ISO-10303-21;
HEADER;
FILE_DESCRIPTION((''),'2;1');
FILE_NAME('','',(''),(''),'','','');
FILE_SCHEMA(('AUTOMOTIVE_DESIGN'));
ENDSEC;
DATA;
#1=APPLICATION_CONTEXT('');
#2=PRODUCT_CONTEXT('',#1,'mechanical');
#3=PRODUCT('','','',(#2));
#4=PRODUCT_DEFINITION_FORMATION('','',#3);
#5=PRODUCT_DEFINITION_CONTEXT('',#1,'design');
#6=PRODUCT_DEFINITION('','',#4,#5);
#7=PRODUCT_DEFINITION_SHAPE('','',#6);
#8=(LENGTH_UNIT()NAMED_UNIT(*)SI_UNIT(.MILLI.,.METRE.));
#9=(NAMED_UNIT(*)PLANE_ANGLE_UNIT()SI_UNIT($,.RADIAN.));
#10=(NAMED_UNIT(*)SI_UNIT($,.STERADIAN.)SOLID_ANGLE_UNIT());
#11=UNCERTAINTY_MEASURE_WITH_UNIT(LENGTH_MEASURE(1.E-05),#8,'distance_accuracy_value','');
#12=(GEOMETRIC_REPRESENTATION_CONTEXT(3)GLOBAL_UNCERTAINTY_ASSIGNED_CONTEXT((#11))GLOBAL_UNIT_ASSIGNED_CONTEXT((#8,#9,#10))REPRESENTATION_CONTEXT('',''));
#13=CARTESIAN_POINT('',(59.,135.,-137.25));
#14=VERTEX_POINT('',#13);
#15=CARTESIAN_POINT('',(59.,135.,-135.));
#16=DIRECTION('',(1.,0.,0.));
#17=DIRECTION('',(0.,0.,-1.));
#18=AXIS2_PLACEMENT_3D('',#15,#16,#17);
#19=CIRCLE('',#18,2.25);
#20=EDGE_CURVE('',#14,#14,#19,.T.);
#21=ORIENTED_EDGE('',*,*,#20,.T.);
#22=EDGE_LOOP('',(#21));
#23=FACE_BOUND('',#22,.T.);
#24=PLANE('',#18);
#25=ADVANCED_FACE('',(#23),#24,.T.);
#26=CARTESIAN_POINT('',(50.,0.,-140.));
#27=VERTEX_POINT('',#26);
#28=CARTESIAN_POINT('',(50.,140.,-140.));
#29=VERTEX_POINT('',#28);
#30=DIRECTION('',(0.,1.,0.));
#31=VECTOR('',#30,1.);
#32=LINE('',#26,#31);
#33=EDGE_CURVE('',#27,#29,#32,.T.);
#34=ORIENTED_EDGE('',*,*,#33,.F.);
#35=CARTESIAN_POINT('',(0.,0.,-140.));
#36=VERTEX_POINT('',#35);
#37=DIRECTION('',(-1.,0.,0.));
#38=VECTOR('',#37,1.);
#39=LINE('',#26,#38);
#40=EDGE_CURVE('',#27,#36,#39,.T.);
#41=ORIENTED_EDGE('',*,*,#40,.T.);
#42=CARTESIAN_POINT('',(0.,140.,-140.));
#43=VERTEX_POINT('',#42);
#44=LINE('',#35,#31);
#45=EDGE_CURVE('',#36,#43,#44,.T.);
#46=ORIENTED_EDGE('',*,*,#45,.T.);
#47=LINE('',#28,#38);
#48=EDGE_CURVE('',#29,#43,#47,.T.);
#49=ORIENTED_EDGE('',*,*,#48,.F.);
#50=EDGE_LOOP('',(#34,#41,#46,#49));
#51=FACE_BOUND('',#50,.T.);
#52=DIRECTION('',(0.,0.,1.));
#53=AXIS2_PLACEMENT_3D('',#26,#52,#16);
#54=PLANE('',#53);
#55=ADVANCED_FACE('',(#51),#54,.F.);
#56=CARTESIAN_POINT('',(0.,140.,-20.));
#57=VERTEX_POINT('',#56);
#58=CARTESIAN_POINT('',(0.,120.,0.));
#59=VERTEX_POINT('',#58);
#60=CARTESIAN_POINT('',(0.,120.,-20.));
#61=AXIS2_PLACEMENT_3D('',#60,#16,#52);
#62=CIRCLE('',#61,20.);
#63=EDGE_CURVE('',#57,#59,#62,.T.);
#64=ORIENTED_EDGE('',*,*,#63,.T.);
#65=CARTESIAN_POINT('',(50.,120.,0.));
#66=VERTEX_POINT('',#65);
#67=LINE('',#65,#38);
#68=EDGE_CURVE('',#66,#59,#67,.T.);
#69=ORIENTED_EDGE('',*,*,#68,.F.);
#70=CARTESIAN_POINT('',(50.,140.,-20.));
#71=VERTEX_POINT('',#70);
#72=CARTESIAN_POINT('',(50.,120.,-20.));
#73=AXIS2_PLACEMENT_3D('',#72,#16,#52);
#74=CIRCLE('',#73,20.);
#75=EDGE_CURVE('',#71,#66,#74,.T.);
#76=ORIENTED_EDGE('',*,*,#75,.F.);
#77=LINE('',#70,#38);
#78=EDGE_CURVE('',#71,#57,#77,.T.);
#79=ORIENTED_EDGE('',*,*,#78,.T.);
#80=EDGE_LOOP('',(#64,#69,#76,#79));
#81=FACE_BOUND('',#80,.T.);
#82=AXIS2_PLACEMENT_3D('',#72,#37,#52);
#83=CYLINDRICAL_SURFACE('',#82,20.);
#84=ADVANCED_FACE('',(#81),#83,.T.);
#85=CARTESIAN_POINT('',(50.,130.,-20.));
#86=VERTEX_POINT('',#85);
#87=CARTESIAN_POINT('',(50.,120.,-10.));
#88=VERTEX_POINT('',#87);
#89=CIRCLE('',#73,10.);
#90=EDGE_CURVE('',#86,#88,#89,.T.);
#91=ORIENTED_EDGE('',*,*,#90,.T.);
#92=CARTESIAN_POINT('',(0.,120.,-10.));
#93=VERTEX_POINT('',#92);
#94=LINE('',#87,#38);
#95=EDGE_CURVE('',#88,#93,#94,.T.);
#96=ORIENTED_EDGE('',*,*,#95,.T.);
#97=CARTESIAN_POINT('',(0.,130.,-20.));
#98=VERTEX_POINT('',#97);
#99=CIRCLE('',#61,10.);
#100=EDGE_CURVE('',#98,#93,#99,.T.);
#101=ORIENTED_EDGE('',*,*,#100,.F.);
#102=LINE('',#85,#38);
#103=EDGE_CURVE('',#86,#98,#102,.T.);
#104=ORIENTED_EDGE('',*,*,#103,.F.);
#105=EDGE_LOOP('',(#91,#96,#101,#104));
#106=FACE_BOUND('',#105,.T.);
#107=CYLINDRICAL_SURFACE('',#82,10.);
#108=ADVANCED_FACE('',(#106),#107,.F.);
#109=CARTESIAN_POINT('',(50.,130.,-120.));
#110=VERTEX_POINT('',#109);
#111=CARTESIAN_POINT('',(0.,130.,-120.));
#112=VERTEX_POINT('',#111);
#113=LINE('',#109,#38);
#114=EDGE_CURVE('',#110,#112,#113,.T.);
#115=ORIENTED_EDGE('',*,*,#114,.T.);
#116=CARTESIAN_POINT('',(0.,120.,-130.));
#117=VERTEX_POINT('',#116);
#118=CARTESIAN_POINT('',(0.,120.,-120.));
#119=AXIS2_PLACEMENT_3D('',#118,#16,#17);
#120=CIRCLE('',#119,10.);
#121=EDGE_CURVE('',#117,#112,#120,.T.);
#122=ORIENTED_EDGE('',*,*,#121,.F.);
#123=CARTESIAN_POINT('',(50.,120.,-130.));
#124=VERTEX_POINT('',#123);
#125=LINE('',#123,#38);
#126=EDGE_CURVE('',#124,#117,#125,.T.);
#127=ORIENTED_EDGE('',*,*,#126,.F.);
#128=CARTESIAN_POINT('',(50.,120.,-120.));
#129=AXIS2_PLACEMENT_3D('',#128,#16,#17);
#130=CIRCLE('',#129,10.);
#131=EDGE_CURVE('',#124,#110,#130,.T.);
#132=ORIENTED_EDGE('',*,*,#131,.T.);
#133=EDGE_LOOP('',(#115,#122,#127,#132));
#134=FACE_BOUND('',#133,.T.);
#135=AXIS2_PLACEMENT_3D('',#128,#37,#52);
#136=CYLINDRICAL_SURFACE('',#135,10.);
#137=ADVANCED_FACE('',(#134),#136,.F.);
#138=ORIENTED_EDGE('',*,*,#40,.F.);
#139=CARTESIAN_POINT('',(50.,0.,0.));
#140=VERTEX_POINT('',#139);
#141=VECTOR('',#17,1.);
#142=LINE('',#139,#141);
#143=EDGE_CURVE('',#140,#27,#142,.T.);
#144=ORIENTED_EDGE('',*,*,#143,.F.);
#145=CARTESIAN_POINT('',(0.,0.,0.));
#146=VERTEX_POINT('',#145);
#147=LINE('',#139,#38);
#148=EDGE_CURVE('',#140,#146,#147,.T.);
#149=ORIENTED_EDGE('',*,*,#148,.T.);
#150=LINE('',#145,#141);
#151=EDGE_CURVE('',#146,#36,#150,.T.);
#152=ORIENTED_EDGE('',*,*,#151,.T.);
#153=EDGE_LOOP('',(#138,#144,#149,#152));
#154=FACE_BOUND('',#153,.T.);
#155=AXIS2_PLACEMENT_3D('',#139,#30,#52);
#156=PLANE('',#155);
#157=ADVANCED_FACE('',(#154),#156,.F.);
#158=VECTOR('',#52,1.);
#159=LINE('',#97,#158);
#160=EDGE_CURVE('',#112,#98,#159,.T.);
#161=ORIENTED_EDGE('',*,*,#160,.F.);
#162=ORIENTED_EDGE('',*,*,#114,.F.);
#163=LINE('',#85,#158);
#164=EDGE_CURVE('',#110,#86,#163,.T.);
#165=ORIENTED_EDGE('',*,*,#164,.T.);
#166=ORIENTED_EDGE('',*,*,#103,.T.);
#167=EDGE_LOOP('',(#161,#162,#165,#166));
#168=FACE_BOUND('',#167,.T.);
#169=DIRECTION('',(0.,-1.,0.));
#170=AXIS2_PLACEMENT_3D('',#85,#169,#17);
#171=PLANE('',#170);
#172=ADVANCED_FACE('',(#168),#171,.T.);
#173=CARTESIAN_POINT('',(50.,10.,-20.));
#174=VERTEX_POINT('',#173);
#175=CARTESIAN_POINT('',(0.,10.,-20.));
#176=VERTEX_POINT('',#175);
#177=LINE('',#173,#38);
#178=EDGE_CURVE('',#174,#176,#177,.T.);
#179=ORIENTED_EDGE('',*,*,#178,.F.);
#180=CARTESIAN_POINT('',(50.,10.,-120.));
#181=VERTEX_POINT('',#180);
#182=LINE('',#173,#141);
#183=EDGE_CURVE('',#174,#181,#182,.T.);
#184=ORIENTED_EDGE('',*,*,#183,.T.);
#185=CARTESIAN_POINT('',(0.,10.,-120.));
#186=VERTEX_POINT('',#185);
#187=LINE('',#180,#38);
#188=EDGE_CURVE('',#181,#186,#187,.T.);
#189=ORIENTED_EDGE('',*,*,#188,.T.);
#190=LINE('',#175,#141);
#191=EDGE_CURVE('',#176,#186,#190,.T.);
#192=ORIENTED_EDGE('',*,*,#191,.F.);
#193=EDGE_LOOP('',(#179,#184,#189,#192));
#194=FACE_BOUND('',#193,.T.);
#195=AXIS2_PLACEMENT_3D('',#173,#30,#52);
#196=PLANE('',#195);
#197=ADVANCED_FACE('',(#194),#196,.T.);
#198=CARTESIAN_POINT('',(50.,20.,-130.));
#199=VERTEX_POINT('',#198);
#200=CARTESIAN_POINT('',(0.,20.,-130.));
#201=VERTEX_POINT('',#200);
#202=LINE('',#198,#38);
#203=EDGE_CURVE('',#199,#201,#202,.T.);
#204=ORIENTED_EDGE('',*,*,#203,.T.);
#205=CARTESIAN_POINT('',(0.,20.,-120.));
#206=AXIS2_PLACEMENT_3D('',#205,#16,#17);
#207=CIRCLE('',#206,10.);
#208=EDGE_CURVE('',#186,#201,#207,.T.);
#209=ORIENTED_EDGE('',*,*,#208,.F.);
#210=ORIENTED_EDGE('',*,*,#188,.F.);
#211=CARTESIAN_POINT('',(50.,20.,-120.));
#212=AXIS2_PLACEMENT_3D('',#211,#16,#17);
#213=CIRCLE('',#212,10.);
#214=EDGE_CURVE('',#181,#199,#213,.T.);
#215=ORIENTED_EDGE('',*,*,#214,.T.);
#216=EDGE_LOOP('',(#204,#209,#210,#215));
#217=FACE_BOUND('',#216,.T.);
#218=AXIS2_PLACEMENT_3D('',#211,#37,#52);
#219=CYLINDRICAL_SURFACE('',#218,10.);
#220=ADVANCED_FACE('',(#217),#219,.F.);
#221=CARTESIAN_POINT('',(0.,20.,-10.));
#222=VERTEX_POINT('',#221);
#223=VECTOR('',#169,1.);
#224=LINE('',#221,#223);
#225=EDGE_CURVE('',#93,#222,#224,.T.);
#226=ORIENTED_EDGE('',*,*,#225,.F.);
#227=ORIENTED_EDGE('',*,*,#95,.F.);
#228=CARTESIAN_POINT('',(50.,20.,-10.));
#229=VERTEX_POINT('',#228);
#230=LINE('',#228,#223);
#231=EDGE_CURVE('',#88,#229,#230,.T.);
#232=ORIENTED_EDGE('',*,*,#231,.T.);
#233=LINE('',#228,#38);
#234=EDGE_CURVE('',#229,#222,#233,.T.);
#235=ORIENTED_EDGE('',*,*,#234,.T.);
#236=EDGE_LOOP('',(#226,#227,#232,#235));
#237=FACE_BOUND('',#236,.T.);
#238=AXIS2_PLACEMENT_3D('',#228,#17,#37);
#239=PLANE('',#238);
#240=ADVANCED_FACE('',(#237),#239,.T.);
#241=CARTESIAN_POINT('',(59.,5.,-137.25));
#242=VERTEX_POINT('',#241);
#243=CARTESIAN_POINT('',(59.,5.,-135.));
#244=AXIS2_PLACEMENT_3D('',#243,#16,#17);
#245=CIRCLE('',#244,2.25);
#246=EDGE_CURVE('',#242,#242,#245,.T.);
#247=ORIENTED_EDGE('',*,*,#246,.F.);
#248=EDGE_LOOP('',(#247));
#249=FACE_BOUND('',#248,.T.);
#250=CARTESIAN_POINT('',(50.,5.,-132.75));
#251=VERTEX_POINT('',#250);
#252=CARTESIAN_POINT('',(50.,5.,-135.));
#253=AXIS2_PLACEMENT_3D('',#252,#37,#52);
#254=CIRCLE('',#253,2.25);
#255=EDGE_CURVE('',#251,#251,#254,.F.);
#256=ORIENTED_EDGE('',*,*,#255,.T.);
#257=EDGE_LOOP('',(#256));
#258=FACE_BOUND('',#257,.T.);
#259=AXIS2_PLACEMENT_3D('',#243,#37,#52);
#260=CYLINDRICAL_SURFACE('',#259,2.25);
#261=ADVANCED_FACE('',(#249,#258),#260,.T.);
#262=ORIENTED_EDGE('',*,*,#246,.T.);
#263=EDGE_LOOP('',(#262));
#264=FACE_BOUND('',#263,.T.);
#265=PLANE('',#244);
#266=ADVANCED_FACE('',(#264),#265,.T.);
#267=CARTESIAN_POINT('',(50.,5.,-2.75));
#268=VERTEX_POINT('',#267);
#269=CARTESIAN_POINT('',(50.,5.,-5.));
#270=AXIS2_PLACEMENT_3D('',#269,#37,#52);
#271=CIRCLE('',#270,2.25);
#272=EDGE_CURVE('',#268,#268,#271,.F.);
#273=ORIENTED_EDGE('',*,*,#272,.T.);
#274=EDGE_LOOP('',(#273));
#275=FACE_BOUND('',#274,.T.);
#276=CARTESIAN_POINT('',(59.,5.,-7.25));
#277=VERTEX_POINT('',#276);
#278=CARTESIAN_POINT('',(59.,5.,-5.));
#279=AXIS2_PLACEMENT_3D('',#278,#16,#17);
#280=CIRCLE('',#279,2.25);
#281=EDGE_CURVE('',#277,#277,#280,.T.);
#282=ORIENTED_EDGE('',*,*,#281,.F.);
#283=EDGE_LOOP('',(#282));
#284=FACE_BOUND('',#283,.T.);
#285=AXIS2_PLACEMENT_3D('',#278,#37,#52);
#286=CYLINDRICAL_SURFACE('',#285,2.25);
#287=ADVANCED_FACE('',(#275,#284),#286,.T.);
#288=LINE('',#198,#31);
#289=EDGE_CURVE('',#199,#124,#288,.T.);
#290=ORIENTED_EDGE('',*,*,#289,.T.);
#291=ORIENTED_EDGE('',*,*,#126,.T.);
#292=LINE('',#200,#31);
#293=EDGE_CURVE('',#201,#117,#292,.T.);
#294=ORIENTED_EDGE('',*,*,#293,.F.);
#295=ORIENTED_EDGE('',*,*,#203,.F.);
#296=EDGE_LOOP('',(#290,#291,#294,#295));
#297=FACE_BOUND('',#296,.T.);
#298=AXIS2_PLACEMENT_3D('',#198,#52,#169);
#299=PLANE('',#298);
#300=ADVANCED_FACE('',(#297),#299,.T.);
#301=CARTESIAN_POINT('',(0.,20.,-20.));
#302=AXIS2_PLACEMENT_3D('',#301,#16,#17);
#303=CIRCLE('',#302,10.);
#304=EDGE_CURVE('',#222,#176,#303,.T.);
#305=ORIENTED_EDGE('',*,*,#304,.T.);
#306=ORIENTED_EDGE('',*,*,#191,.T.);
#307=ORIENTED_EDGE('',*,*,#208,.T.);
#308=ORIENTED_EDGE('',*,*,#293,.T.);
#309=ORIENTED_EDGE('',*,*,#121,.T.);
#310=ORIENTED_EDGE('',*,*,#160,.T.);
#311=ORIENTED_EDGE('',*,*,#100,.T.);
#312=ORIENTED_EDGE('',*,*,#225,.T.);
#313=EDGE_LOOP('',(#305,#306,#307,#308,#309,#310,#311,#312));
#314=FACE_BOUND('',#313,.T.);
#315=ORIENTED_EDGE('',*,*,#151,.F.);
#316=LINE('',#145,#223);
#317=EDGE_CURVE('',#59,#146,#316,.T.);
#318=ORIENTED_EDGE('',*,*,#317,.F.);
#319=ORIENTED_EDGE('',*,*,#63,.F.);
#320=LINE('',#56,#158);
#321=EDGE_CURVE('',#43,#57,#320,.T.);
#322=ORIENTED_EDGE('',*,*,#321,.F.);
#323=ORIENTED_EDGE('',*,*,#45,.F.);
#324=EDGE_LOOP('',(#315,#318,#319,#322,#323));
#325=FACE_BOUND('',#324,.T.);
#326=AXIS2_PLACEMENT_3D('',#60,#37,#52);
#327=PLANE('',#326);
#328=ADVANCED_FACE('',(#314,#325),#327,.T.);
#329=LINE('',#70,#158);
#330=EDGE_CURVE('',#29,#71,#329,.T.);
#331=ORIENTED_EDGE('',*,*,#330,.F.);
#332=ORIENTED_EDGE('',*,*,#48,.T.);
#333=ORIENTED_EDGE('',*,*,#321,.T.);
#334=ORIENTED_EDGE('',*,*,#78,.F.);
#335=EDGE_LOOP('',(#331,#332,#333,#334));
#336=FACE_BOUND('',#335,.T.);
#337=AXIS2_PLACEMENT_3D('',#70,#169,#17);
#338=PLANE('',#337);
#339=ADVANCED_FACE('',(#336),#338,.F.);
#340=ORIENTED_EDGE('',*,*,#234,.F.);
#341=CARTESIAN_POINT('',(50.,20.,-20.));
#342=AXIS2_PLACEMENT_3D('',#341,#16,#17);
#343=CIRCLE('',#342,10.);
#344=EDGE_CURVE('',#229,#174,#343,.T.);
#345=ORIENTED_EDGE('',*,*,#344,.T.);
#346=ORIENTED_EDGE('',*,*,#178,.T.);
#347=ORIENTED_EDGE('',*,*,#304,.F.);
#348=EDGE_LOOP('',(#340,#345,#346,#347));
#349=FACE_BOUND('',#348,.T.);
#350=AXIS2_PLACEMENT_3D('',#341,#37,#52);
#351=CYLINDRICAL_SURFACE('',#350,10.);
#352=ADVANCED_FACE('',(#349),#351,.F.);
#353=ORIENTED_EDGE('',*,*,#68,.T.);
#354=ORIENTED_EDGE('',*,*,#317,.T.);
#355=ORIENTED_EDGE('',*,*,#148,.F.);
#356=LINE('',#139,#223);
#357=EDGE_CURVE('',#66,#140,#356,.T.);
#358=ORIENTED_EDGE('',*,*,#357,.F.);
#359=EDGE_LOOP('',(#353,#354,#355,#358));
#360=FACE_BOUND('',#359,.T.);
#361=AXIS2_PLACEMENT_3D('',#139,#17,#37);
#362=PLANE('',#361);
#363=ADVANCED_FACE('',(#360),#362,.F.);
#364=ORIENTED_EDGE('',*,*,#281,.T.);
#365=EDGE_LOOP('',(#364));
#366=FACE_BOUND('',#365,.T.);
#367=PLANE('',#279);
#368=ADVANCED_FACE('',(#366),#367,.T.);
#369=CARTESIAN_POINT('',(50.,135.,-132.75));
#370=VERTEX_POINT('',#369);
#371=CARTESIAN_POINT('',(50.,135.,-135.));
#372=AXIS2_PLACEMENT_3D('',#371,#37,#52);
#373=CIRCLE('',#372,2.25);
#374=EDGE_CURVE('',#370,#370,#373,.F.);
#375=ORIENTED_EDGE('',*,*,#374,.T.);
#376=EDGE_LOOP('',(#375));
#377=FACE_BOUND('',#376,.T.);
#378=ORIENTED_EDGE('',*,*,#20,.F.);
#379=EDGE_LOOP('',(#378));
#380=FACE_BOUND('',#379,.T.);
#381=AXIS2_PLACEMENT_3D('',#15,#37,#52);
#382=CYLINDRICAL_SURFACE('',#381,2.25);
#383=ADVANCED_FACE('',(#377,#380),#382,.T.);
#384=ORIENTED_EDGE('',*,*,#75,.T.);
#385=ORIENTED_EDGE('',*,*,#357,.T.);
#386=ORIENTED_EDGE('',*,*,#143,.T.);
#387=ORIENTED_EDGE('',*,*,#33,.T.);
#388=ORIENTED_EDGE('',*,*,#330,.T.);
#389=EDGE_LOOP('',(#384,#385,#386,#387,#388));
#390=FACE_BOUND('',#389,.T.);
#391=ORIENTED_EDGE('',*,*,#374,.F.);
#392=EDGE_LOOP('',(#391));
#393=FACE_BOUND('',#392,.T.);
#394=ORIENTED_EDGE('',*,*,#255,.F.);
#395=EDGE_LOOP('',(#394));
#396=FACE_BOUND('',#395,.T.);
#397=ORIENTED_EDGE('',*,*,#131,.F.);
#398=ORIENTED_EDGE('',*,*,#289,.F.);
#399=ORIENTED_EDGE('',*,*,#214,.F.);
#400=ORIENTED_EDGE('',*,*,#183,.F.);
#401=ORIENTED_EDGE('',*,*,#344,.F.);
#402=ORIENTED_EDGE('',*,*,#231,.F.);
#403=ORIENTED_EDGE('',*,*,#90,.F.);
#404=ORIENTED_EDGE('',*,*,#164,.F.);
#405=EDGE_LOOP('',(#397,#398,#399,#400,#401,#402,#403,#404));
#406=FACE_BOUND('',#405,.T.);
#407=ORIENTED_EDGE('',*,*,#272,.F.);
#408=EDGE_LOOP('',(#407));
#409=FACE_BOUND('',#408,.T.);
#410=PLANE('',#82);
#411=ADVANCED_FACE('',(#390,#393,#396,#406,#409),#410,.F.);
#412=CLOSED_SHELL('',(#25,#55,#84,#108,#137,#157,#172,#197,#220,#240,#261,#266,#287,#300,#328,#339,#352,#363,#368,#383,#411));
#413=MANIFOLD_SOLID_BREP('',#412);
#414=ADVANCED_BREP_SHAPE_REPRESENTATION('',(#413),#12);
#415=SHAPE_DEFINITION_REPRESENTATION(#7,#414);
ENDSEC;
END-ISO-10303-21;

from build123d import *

# Parameters (mm, degrees)
EXTRUDE_1_DEPTH = 50
SKETCH_2_R      = 2.25
EXTRUDE_2_DEPTH = 9


with BuildPart() as part:
    # 草图1 → 凸台-拉伸1 (new body)
    with BuildSketch(Plane(origin=(0, 0, 0), x_dir=(0, 0, -1), z_dir=(1, 0, 0))):
        with BuildLine():
            Line((0, 0), (140, 0))
            Line((140, 0), (140, 140))
            Line((140, 140), (20, 140))
            ThreePointArc((20, 140), (5.857864376, 134.142135624), (0, 120))
            Line((0, 120), (0, 0))
        make_face()
        with BuildLine():
            Line((20, 10), (120, 10))
            ThreePointArc((120, 10), (127.071067812, 12.928932188), (130, 20))
            Line((130, 20), (130, 120))
            ThreePointArc((130, 120), (127.071067812, 127.071067812), (120, 130))
            Line((120, 130), (20, 130))
            ThreePointArc((20, 130), (12.928932188, 127.071067812), (10, 120))
            Line((10, 120), (10, 20))
            ThreePointArc((10, 20), (12.928932188, 12.928932188), (20, 10))
        make_face(mode=Mode.SUBTRACT)
    extrude(amount=EXTRUDE_1_DEPTH)

    # 草图2 → 凸台-拉伸2 (add)
    with BuildSketch(Plane(origin=(50, 0, 0), x_dir=(0, 0, -1), z_dir=(1, 0, 0))):
        with Locations(Location((5, 5, 0), (0, 0, 180))):
            Circle(SKETCH_2_R)
        with Locations(Location((135, 5, 0), (0, 0, 180))):
            Circle(SKETCH_2_R)
        with Locations(Location((135, 135, 0), (0, 0, 180))):
            Circle(SKETCH_2_R)
    extrude(amount=EXTRUDE_2_DEPTH)


solid = part.part
